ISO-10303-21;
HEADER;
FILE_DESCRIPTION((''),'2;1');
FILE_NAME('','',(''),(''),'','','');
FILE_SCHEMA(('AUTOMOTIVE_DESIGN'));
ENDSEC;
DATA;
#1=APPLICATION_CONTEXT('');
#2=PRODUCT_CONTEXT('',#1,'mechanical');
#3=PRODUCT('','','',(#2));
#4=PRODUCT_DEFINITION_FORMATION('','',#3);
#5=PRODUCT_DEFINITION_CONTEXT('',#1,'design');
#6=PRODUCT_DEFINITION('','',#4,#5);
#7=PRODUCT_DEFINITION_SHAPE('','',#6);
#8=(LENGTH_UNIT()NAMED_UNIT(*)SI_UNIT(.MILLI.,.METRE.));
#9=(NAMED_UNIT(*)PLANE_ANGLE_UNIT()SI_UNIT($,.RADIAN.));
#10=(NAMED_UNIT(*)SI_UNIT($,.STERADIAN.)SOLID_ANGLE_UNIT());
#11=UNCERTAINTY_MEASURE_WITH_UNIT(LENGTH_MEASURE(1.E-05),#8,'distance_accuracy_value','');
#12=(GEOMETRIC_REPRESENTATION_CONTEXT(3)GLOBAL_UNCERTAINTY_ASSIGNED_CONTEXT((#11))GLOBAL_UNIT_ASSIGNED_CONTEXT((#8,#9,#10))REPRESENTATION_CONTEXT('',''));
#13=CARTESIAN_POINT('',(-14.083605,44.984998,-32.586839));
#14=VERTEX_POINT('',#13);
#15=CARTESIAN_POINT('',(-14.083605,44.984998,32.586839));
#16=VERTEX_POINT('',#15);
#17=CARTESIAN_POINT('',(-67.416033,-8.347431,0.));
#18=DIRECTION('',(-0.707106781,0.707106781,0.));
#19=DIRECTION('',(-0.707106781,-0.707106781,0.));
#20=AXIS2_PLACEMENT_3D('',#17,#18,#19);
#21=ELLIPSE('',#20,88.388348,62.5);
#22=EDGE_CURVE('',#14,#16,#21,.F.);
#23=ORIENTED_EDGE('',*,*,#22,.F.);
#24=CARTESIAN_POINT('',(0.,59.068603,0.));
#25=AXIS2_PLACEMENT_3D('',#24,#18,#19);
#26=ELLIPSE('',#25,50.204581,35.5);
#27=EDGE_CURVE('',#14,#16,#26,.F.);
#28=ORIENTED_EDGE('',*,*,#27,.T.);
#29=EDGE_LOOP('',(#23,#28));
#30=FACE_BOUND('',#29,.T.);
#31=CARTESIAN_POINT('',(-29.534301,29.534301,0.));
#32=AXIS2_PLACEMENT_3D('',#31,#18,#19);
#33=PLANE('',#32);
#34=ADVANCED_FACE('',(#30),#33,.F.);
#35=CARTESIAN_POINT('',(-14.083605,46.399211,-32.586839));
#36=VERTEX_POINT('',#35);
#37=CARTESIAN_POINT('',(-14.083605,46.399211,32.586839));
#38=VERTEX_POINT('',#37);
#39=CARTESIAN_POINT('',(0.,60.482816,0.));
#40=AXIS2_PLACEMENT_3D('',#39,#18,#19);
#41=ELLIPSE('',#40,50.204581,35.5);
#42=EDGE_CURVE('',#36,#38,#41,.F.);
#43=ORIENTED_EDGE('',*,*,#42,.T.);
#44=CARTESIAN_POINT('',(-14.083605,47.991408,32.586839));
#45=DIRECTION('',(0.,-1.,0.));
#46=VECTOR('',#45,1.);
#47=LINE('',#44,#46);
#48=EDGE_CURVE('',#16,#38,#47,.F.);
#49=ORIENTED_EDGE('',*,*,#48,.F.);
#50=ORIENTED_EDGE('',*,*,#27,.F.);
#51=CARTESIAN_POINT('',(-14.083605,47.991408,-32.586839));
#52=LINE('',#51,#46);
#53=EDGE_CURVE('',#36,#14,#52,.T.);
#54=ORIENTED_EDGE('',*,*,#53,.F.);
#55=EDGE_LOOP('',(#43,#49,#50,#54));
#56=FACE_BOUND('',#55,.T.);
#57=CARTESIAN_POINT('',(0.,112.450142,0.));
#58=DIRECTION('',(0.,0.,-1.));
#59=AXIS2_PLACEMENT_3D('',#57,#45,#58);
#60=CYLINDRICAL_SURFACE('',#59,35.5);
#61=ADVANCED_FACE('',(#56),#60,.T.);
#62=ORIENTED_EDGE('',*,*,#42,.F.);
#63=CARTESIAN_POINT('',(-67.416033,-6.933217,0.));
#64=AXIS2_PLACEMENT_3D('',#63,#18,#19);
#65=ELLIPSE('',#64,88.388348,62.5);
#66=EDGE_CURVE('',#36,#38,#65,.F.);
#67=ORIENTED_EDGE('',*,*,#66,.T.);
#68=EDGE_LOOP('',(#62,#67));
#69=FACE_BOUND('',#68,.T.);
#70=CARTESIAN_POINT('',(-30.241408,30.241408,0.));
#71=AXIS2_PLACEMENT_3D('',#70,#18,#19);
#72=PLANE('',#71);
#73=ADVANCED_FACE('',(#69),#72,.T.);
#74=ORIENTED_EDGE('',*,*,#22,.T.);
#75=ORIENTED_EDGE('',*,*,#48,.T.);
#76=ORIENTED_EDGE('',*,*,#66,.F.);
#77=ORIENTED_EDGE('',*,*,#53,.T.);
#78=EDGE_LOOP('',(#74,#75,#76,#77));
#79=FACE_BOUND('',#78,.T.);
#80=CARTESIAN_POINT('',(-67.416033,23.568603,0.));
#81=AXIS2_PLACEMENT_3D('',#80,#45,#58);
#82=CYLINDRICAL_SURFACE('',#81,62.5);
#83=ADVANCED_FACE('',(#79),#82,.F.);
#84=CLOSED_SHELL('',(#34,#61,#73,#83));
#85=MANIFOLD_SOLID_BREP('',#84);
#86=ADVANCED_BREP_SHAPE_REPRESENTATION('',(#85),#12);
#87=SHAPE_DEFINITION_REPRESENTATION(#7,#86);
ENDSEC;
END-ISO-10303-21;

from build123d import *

# Parameters (mm, degrees)
SKETCH4_W               = 232.52141371
SKETCH4_H               = 186.000175814
BOSS_EXTRUDE1_DEPTH     = 1
SKETCH1_OUTSIDE_W       = 226.832
SKETCH1_OUTSIDE_H       = 247.708
SKETCH1_OUTSIDE_R       = 35.5
CUT_EXTRUDE2_DEPTH      = 185.225637078
CUT_EXTRUDE3_DEPTH      = 109.319901238
CUT_EXTRUDE3_DEPTH_BACK = 109.319901238
SKETCH5_R               = 62.5


with BuildPart() as part:
    # Sketch4 → Boss-Extrude1 (new body)
    with BuildSketch(Plane(origin=(-30.241408096, 30.241408096, 0), x_dir=(0.7071067811865512, 0.7071067811865439, 0), z_dir=(0.7071067811865439, -0.7071067811865512, 0))):
        Rectangle(SKETCH4_W, SKETCH4_H)
    extrude(amount=BOSS_EXTRUDE1_DEPTH)

    # Sketch1 outside → Cut-Extrude2 (cut, through all)
    with BuildSketch(Plane(origin=(0, 0, 0), x_dir=(1, 0, 0), z_dir=(0, 1, 0))):
        with Locations((-29.888, 0)):
            Rectangle(SKETCH1_OUTSIDE_W, SKETCH1_OUTSIDE_H)
        with Locations(Location((0, 0, 0), (0, 0, 180))):
            Circle(SKETCH1_OUTSIDE_R, mode=Mode.SUBTRACT)
    extrude(amount=CUT_EXTRUDE2_DEPTH, mode=Mode.SUBTRACT)


with BuildPart() as body_2:
    # of the pieces the cut leaves, the one that is kept (cut_extrude2_keep)
    add(part.part.solids().sort_by_distance((-35.5, 24.982816193, 0))[0])

    # Sketch5 → Cut-Extrude3 (cut, two sides: drawn at the far end of the back side and taken through both)
    with BuildSketch(Plane(origin=(0, 0, 0), x_dir=(1, 0, 0), z_dir=(0, 1, 0)).offset(-CUT_EXTRUDE3_DEPTH_BACK)):
        with Locations((-67.416033427, 0)):
            Circle(SKETCH5_R)
    extrude(amount=CUT_EXTRUDE3_DEPTH + CUT_EXTRUDE3_DEPTH_BACK, mode=Mode.SUBTRACT)


solid = body_2.part
